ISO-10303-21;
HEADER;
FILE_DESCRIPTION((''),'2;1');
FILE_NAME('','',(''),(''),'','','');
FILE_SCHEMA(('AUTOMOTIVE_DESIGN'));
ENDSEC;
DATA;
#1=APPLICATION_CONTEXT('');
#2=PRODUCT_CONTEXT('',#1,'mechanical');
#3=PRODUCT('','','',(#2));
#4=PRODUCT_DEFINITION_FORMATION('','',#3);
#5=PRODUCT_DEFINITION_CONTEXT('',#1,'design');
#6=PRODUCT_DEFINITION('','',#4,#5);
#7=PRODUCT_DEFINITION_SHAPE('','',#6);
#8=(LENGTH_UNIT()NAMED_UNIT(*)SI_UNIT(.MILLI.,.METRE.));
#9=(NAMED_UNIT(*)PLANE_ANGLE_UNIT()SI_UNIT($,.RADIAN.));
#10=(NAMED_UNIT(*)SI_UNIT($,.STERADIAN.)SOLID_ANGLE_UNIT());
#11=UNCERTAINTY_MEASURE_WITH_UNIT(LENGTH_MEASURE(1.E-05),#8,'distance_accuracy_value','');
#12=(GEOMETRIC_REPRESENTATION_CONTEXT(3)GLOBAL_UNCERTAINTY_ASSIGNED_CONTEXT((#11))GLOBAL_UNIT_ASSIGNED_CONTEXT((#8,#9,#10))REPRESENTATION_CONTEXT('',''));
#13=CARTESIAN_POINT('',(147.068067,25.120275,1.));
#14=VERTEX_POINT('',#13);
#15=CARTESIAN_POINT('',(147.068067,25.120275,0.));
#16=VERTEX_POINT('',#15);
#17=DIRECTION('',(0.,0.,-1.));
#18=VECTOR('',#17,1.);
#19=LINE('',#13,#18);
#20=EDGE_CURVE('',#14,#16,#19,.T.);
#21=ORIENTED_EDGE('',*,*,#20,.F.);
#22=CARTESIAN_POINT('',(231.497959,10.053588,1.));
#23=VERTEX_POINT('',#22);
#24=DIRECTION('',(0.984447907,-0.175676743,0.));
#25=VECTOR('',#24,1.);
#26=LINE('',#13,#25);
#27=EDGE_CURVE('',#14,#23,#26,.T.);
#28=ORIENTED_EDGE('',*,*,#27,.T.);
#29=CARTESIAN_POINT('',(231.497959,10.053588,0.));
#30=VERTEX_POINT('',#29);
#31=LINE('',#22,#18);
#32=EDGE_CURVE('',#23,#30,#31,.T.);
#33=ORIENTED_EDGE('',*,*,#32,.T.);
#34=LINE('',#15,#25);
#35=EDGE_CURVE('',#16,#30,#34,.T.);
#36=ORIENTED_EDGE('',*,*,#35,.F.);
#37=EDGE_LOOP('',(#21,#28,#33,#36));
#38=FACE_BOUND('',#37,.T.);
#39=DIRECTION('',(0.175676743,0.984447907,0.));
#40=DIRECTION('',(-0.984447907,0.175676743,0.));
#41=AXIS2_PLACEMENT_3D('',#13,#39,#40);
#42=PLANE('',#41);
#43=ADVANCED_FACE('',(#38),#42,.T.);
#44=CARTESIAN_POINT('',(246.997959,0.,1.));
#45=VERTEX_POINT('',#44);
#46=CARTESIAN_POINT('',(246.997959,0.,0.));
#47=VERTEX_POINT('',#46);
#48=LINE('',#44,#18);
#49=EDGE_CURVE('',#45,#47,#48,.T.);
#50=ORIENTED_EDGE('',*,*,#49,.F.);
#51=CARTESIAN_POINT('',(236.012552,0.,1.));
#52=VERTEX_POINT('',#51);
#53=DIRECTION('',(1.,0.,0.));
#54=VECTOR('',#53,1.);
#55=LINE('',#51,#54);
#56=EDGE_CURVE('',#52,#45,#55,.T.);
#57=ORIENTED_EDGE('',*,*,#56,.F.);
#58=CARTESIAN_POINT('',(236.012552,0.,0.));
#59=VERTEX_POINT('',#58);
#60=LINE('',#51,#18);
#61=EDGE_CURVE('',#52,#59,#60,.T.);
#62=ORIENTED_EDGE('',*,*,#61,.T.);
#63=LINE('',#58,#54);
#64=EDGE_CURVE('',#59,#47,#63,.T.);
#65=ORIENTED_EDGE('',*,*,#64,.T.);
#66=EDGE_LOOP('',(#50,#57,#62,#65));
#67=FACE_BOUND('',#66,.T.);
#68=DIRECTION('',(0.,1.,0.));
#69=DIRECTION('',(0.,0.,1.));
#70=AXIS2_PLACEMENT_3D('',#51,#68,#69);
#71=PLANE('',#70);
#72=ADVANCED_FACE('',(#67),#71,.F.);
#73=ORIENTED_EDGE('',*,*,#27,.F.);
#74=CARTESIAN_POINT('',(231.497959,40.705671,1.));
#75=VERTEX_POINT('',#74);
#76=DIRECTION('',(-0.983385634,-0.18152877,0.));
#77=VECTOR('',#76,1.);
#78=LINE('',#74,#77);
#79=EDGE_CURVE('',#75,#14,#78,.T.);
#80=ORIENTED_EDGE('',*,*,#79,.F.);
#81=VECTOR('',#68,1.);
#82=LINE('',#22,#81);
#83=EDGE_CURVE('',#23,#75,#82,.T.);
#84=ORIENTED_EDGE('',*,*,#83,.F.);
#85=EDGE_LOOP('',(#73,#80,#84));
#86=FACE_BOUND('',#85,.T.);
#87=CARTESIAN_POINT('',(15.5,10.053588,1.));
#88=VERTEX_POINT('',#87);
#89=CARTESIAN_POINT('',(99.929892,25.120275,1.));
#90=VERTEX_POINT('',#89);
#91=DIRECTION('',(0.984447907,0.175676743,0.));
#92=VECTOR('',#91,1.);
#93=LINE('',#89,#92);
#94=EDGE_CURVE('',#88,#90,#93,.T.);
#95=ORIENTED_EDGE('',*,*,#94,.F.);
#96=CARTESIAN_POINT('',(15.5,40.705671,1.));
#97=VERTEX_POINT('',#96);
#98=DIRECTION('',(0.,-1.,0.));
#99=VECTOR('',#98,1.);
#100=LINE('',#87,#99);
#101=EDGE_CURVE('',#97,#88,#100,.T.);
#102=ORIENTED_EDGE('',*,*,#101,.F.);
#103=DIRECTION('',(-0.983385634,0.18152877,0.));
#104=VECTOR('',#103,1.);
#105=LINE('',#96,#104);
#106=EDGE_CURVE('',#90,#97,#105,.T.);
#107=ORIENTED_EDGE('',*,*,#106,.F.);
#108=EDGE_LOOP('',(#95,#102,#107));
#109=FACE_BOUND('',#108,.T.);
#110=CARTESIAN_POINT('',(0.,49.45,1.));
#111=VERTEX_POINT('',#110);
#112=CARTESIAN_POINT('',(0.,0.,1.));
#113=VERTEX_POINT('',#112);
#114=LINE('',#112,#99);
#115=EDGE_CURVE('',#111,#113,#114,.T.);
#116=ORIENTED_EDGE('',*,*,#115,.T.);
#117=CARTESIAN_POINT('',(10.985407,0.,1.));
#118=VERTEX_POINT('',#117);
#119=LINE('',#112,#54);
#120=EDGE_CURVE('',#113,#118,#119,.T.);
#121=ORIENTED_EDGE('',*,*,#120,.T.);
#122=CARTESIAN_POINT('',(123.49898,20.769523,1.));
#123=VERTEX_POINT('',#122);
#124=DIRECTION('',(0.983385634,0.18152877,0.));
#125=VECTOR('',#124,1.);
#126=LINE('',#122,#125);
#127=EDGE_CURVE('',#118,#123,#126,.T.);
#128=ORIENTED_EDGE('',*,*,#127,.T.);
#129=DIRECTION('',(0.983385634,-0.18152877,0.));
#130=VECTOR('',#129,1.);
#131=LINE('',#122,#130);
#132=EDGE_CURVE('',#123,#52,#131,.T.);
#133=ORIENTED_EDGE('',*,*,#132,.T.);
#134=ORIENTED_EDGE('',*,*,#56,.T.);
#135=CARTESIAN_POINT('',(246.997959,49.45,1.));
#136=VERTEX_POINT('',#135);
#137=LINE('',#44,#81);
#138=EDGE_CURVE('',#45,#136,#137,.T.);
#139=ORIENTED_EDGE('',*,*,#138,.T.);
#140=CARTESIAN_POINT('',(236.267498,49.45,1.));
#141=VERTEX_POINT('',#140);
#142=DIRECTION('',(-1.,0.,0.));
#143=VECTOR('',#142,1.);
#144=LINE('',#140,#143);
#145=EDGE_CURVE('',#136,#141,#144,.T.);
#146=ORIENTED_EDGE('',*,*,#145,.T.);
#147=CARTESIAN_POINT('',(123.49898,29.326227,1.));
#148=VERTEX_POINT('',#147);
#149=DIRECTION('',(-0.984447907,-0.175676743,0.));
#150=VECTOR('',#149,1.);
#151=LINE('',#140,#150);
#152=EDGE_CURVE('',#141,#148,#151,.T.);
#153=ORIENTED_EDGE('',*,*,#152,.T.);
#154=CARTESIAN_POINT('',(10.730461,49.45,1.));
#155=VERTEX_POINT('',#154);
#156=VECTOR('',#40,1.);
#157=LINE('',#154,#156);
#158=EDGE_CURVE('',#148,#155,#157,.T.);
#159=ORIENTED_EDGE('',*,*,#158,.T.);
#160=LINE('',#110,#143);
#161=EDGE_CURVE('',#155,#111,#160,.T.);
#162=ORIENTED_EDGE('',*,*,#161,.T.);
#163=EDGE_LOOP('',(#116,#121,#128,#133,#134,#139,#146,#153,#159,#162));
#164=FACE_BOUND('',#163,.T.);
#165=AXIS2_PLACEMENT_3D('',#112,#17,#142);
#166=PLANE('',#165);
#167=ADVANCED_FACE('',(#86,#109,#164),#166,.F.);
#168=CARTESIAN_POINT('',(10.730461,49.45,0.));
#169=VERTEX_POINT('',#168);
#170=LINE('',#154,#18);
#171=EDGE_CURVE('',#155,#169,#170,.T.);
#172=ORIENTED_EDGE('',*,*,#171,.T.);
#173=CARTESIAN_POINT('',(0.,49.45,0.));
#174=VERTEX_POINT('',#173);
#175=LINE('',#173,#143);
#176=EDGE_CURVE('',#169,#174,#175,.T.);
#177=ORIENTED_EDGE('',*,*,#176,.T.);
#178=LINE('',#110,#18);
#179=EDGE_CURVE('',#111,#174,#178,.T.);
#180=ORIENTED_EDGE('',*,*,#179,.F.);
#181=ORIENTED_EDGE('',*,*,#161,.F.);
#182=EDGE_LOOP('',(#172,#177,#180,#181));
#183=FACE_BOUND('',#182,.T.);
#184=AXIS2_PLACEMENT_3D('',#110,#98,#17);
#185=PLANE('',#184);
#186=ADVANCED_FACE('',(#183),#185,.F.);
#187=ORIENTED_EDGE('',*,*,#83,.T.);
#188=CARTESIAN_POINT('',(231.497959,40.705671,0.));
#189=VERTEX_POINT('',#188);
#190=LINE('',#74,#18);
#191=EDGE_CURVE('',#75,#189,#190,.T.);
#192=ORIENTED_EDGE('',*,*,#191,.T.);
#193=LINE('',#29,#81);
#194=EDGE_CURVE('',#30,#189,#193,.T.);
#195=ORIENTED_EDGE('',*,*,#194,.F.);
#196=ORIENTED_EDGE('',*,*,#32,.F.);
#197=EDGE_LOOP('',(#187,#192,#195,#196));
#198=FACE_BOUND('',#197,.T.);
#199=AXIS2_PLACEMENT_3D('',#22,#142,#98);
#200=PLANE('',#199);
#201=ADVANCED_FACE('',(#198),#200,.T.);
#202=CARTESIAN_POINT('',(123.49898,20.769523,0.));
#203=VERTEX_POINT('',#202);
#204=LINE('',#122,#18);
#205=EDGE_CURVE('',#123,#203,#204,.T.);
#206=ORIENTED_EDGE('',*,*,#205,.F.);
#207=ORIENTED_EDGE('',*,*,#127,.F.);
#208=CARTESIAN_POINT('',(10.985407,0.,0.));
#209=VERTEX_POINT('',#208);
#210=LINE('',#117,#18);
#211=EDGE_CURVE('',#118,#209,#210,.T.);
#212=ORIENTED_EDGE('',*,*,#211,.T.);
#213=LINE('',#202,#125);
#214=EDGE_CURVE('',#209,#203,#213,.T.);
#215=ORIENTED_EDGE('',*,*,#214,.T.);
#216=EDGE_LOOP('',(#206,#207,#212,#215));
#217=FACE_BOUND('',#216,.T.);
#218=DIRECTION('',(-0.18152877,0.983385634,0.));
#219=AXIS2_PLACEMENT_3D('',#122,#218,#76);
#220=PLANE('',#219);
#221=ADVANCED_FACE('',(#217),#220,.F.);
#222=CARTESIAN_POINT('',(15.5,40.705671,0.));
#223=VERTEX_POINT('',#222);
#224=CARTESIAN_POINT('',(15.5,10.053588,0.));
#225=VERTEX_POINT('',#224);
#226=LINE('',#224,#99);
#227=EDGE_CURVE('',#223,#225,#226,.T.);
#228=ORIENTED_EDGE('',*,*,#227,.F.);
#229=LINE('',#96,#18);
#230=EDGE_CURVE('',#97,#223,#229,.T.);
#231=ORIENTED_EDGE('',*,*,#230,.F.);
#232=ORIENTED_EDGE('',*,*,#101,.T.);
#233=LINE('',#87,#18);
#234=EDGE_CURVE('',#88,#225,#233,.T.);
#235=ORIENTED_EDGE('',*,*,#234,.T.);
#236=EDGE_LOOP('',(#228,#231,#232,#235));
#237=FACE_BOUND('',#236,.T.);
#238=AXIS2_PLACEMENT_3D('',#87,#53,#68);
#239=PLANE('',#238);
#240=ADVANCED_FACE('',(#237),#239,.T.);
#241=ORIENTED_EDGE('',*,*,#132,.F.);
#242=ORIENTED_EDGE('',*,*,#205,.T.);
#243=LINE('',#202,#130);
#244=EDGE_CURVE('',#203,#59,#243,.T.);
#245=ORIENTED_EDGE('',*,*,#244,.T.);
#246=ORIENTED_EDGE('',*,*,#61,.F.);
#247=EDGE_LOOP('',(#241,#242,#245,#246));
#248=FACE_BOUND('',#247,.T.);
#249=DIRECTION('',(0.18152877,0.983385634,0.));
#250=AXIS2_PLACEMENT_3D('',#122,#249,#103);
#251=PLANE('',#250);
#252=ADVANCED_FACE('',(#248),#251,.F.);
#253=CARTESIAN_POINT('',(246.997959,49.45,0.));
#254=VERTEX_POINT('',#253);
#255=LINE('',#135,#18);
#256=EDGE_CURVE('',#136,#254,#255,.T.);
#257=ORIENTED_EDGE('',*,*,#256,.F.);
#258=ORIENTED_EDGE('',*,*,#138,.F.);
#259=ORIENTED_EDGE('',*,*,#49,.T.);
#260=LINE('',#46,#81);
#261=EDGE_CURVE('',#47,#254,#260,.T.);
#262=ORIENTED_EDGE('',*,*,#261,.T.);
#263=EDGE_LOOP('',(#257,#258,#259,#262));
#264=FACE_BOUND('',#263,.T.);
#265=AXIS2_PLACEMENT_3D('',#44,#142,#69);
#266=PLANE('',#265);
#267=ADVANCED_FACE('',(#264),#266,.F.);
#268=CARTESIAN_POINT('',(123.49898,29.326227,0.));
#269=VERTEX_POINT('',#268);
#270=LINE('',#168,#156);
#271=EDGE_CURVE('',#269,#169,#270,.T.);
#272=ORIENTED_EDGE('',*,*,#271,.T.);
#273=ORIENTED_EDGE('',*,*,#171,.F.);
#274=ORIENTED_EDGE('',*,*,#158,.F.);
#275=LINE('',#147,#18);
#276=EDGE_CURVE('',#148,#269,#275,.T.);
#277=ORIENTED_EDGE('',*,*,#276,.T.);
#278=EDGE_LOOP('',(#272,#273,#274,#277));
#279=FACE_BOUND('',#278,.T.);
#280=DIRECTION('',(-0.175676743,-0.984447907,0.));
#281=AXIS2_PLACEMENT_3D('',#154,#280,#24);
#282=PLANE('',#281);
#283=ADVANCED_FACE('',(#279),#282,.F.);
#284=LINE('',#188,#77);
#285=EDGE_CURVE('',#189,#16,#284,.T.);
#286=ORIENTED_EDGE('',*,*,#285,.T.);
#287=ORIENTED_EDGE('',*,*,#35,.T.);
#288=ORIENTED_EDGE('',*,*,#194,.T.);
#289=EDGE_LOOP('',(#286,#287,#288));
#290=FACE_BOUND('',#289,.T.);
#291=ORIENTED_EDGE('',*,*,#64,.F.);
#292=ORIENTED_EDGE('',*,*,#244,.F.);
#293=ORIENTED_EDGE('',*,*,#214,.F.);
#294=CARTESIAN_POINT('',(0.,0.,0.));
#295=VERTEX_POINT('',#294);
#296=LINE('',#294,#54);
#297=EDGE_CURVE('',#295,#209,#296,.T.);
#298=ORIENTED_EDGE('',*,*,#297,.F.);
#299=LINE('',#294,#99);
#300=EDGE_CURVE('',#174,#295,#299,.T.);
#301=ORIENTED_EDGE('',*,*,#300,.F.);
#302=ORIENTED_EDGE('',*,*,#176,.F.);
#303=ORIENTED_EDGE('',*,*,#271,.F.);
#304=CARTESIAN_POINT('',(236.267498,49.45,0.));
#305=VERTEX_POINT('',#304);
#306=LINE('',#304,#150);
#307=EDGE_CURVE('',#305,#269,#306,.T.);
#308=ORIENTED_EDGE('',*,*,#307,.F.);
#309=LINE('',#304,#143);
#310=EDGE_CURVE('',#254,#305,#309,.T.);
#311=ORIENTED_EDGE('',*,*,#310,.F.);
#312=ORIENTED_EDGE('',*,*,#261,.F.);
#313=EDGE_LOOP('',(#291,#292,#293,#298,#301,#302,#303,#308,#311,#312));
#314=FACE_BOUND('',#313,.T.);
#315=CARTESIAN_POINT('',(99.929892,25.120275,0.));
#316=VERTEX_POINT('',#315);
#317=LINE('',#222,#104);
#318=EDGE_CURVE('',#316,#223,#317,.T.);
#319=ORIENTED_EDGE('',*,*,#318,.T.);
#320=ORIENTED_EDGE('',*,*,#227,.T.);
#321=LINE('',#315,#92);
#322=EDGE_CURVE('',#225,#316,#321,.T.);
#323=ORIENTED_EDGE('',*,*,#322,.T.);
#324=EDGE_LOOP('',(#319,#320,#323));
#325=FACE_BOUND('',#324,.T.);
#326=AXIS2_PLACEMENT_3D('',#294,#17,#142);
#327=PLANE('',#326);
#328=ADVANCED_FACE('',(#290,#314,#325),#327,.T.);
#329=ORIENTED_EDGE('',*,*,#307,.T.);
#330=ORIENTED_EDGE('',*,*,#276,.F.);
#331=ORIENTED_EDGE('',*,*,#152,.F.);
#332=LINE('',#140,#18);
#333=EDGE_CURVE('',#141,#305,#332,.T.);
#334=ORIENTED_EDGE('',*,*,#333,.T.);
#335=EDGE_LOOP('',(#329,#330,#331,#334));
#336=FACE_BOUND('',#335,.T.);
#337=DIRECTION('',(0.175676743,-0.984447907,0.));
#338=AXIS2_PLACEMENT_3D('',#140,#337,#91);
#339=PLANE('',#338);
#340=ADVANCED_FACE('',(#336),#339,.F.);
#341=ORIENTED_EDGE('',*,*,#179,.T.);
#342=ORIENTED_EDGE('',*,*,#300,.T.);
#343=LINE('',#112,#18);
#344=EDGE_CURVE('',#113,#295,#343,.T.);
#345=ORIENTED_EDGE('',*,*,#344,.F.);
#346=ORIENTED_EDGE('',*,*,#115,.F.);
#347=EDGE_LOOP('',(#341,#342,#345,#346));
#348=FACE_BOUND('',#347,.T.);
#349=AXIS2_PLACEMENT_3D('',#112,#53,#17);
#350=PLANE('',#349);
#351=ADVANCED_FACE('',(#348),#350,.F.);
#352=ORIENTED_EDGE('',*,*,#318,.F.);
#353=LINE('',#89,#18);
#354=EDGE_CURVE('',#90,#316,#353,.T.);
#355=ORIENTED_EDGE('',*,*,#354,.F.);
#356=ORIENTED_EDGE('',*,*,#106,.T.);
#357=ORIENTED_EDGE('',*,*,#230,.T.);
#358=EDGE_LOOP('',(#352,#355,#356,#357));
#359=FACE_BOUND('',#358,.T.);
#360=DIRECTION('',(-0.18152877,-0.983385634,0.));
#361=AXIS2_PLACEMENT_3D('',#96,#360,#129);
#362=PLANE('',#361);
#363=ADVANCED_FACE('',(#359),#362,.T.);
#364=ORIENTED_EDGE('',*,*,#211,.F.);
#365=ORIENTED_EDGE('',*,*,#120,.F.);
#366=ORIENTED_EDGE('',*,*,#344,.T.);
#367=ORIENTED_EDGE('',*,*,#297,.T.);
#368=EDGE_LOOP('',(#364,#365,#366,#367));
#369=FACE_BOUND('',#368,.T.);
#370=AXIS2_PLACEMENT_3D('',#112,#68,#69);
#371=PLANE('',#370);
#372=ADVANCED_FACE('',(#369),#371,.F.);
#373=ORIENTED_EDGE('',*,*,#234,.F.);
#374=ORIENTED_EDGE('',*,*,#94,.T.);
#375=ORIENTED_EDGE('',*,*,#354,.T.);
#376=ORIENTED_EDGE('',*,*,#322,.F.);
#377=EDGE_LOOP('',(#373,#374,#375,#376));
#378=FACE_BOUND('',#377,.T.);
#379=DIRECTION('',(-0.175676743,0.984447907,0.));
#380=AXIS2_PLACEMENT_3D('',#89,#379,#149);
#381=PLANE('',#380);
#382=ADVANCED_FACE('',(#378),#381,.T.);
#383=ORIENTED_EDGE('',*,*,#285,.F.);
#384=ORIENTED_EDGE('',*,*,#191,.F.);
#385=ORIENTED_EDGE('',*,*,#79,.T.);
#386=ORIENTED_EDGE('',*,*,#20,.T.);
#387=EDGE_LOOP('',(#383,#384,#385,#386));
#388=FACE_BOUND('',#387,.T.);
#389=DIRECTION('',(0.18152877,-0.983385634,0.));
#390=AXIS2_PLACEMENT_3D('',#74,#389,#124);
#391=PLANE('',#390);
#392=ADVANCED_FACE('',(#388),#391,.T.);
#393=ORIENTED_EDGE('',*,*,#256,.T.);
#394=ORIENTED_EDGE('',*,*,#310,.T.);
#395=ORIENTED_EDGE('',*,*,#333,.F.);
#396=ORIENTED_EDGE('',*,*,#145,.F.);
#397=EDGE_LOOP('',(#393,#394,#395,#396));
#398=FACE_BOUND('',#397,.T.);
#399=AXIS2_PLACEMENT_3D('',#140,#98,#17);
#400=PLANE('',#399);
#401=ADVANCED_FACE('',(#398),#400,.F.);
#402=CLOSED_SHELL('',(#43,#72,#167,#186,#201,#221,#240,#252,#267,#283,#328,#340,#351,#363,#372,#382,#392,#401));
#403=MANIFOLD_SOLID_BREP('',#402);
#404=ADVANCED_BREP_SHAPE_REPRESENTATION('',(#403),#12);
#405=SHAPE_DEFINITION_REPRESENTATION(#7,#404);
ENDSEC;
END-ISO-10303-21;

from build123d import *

# Parameters (mm, degrees)
BOSS_EXTRUDE1_DEPTH = 1


with BuildPart() as part:
    # Sketch1 → Boss-Extrude1 (new body)
    with BuildSketch(Plane.XY):
        Polygon((0, 0), (10.985406775, 0), (123.4989795, 20.769522906), (236.012552225, 0), (246.997959, 0), (246.997959, 49.45), (236.267497729, 49.45), (123.4989795, 29.326227234), (10.730461271, 49.45), (0, 49.45), align=None)
        Polygon((15.5, 40.705671267), (99.929892015, 25.120275357), (15.5, 10.053588411), align=None, mode=Mode.SUBTRACT)
        Polygon((231.497959, 40.705671267), (147.068066985, 25.120275357), (231.497959, 10.053588411), align=None, mode=Mode.SUBTRACT)
    extrude(amount=BOSS_EXTRUDE1_DEPTH)


solid = part.part
